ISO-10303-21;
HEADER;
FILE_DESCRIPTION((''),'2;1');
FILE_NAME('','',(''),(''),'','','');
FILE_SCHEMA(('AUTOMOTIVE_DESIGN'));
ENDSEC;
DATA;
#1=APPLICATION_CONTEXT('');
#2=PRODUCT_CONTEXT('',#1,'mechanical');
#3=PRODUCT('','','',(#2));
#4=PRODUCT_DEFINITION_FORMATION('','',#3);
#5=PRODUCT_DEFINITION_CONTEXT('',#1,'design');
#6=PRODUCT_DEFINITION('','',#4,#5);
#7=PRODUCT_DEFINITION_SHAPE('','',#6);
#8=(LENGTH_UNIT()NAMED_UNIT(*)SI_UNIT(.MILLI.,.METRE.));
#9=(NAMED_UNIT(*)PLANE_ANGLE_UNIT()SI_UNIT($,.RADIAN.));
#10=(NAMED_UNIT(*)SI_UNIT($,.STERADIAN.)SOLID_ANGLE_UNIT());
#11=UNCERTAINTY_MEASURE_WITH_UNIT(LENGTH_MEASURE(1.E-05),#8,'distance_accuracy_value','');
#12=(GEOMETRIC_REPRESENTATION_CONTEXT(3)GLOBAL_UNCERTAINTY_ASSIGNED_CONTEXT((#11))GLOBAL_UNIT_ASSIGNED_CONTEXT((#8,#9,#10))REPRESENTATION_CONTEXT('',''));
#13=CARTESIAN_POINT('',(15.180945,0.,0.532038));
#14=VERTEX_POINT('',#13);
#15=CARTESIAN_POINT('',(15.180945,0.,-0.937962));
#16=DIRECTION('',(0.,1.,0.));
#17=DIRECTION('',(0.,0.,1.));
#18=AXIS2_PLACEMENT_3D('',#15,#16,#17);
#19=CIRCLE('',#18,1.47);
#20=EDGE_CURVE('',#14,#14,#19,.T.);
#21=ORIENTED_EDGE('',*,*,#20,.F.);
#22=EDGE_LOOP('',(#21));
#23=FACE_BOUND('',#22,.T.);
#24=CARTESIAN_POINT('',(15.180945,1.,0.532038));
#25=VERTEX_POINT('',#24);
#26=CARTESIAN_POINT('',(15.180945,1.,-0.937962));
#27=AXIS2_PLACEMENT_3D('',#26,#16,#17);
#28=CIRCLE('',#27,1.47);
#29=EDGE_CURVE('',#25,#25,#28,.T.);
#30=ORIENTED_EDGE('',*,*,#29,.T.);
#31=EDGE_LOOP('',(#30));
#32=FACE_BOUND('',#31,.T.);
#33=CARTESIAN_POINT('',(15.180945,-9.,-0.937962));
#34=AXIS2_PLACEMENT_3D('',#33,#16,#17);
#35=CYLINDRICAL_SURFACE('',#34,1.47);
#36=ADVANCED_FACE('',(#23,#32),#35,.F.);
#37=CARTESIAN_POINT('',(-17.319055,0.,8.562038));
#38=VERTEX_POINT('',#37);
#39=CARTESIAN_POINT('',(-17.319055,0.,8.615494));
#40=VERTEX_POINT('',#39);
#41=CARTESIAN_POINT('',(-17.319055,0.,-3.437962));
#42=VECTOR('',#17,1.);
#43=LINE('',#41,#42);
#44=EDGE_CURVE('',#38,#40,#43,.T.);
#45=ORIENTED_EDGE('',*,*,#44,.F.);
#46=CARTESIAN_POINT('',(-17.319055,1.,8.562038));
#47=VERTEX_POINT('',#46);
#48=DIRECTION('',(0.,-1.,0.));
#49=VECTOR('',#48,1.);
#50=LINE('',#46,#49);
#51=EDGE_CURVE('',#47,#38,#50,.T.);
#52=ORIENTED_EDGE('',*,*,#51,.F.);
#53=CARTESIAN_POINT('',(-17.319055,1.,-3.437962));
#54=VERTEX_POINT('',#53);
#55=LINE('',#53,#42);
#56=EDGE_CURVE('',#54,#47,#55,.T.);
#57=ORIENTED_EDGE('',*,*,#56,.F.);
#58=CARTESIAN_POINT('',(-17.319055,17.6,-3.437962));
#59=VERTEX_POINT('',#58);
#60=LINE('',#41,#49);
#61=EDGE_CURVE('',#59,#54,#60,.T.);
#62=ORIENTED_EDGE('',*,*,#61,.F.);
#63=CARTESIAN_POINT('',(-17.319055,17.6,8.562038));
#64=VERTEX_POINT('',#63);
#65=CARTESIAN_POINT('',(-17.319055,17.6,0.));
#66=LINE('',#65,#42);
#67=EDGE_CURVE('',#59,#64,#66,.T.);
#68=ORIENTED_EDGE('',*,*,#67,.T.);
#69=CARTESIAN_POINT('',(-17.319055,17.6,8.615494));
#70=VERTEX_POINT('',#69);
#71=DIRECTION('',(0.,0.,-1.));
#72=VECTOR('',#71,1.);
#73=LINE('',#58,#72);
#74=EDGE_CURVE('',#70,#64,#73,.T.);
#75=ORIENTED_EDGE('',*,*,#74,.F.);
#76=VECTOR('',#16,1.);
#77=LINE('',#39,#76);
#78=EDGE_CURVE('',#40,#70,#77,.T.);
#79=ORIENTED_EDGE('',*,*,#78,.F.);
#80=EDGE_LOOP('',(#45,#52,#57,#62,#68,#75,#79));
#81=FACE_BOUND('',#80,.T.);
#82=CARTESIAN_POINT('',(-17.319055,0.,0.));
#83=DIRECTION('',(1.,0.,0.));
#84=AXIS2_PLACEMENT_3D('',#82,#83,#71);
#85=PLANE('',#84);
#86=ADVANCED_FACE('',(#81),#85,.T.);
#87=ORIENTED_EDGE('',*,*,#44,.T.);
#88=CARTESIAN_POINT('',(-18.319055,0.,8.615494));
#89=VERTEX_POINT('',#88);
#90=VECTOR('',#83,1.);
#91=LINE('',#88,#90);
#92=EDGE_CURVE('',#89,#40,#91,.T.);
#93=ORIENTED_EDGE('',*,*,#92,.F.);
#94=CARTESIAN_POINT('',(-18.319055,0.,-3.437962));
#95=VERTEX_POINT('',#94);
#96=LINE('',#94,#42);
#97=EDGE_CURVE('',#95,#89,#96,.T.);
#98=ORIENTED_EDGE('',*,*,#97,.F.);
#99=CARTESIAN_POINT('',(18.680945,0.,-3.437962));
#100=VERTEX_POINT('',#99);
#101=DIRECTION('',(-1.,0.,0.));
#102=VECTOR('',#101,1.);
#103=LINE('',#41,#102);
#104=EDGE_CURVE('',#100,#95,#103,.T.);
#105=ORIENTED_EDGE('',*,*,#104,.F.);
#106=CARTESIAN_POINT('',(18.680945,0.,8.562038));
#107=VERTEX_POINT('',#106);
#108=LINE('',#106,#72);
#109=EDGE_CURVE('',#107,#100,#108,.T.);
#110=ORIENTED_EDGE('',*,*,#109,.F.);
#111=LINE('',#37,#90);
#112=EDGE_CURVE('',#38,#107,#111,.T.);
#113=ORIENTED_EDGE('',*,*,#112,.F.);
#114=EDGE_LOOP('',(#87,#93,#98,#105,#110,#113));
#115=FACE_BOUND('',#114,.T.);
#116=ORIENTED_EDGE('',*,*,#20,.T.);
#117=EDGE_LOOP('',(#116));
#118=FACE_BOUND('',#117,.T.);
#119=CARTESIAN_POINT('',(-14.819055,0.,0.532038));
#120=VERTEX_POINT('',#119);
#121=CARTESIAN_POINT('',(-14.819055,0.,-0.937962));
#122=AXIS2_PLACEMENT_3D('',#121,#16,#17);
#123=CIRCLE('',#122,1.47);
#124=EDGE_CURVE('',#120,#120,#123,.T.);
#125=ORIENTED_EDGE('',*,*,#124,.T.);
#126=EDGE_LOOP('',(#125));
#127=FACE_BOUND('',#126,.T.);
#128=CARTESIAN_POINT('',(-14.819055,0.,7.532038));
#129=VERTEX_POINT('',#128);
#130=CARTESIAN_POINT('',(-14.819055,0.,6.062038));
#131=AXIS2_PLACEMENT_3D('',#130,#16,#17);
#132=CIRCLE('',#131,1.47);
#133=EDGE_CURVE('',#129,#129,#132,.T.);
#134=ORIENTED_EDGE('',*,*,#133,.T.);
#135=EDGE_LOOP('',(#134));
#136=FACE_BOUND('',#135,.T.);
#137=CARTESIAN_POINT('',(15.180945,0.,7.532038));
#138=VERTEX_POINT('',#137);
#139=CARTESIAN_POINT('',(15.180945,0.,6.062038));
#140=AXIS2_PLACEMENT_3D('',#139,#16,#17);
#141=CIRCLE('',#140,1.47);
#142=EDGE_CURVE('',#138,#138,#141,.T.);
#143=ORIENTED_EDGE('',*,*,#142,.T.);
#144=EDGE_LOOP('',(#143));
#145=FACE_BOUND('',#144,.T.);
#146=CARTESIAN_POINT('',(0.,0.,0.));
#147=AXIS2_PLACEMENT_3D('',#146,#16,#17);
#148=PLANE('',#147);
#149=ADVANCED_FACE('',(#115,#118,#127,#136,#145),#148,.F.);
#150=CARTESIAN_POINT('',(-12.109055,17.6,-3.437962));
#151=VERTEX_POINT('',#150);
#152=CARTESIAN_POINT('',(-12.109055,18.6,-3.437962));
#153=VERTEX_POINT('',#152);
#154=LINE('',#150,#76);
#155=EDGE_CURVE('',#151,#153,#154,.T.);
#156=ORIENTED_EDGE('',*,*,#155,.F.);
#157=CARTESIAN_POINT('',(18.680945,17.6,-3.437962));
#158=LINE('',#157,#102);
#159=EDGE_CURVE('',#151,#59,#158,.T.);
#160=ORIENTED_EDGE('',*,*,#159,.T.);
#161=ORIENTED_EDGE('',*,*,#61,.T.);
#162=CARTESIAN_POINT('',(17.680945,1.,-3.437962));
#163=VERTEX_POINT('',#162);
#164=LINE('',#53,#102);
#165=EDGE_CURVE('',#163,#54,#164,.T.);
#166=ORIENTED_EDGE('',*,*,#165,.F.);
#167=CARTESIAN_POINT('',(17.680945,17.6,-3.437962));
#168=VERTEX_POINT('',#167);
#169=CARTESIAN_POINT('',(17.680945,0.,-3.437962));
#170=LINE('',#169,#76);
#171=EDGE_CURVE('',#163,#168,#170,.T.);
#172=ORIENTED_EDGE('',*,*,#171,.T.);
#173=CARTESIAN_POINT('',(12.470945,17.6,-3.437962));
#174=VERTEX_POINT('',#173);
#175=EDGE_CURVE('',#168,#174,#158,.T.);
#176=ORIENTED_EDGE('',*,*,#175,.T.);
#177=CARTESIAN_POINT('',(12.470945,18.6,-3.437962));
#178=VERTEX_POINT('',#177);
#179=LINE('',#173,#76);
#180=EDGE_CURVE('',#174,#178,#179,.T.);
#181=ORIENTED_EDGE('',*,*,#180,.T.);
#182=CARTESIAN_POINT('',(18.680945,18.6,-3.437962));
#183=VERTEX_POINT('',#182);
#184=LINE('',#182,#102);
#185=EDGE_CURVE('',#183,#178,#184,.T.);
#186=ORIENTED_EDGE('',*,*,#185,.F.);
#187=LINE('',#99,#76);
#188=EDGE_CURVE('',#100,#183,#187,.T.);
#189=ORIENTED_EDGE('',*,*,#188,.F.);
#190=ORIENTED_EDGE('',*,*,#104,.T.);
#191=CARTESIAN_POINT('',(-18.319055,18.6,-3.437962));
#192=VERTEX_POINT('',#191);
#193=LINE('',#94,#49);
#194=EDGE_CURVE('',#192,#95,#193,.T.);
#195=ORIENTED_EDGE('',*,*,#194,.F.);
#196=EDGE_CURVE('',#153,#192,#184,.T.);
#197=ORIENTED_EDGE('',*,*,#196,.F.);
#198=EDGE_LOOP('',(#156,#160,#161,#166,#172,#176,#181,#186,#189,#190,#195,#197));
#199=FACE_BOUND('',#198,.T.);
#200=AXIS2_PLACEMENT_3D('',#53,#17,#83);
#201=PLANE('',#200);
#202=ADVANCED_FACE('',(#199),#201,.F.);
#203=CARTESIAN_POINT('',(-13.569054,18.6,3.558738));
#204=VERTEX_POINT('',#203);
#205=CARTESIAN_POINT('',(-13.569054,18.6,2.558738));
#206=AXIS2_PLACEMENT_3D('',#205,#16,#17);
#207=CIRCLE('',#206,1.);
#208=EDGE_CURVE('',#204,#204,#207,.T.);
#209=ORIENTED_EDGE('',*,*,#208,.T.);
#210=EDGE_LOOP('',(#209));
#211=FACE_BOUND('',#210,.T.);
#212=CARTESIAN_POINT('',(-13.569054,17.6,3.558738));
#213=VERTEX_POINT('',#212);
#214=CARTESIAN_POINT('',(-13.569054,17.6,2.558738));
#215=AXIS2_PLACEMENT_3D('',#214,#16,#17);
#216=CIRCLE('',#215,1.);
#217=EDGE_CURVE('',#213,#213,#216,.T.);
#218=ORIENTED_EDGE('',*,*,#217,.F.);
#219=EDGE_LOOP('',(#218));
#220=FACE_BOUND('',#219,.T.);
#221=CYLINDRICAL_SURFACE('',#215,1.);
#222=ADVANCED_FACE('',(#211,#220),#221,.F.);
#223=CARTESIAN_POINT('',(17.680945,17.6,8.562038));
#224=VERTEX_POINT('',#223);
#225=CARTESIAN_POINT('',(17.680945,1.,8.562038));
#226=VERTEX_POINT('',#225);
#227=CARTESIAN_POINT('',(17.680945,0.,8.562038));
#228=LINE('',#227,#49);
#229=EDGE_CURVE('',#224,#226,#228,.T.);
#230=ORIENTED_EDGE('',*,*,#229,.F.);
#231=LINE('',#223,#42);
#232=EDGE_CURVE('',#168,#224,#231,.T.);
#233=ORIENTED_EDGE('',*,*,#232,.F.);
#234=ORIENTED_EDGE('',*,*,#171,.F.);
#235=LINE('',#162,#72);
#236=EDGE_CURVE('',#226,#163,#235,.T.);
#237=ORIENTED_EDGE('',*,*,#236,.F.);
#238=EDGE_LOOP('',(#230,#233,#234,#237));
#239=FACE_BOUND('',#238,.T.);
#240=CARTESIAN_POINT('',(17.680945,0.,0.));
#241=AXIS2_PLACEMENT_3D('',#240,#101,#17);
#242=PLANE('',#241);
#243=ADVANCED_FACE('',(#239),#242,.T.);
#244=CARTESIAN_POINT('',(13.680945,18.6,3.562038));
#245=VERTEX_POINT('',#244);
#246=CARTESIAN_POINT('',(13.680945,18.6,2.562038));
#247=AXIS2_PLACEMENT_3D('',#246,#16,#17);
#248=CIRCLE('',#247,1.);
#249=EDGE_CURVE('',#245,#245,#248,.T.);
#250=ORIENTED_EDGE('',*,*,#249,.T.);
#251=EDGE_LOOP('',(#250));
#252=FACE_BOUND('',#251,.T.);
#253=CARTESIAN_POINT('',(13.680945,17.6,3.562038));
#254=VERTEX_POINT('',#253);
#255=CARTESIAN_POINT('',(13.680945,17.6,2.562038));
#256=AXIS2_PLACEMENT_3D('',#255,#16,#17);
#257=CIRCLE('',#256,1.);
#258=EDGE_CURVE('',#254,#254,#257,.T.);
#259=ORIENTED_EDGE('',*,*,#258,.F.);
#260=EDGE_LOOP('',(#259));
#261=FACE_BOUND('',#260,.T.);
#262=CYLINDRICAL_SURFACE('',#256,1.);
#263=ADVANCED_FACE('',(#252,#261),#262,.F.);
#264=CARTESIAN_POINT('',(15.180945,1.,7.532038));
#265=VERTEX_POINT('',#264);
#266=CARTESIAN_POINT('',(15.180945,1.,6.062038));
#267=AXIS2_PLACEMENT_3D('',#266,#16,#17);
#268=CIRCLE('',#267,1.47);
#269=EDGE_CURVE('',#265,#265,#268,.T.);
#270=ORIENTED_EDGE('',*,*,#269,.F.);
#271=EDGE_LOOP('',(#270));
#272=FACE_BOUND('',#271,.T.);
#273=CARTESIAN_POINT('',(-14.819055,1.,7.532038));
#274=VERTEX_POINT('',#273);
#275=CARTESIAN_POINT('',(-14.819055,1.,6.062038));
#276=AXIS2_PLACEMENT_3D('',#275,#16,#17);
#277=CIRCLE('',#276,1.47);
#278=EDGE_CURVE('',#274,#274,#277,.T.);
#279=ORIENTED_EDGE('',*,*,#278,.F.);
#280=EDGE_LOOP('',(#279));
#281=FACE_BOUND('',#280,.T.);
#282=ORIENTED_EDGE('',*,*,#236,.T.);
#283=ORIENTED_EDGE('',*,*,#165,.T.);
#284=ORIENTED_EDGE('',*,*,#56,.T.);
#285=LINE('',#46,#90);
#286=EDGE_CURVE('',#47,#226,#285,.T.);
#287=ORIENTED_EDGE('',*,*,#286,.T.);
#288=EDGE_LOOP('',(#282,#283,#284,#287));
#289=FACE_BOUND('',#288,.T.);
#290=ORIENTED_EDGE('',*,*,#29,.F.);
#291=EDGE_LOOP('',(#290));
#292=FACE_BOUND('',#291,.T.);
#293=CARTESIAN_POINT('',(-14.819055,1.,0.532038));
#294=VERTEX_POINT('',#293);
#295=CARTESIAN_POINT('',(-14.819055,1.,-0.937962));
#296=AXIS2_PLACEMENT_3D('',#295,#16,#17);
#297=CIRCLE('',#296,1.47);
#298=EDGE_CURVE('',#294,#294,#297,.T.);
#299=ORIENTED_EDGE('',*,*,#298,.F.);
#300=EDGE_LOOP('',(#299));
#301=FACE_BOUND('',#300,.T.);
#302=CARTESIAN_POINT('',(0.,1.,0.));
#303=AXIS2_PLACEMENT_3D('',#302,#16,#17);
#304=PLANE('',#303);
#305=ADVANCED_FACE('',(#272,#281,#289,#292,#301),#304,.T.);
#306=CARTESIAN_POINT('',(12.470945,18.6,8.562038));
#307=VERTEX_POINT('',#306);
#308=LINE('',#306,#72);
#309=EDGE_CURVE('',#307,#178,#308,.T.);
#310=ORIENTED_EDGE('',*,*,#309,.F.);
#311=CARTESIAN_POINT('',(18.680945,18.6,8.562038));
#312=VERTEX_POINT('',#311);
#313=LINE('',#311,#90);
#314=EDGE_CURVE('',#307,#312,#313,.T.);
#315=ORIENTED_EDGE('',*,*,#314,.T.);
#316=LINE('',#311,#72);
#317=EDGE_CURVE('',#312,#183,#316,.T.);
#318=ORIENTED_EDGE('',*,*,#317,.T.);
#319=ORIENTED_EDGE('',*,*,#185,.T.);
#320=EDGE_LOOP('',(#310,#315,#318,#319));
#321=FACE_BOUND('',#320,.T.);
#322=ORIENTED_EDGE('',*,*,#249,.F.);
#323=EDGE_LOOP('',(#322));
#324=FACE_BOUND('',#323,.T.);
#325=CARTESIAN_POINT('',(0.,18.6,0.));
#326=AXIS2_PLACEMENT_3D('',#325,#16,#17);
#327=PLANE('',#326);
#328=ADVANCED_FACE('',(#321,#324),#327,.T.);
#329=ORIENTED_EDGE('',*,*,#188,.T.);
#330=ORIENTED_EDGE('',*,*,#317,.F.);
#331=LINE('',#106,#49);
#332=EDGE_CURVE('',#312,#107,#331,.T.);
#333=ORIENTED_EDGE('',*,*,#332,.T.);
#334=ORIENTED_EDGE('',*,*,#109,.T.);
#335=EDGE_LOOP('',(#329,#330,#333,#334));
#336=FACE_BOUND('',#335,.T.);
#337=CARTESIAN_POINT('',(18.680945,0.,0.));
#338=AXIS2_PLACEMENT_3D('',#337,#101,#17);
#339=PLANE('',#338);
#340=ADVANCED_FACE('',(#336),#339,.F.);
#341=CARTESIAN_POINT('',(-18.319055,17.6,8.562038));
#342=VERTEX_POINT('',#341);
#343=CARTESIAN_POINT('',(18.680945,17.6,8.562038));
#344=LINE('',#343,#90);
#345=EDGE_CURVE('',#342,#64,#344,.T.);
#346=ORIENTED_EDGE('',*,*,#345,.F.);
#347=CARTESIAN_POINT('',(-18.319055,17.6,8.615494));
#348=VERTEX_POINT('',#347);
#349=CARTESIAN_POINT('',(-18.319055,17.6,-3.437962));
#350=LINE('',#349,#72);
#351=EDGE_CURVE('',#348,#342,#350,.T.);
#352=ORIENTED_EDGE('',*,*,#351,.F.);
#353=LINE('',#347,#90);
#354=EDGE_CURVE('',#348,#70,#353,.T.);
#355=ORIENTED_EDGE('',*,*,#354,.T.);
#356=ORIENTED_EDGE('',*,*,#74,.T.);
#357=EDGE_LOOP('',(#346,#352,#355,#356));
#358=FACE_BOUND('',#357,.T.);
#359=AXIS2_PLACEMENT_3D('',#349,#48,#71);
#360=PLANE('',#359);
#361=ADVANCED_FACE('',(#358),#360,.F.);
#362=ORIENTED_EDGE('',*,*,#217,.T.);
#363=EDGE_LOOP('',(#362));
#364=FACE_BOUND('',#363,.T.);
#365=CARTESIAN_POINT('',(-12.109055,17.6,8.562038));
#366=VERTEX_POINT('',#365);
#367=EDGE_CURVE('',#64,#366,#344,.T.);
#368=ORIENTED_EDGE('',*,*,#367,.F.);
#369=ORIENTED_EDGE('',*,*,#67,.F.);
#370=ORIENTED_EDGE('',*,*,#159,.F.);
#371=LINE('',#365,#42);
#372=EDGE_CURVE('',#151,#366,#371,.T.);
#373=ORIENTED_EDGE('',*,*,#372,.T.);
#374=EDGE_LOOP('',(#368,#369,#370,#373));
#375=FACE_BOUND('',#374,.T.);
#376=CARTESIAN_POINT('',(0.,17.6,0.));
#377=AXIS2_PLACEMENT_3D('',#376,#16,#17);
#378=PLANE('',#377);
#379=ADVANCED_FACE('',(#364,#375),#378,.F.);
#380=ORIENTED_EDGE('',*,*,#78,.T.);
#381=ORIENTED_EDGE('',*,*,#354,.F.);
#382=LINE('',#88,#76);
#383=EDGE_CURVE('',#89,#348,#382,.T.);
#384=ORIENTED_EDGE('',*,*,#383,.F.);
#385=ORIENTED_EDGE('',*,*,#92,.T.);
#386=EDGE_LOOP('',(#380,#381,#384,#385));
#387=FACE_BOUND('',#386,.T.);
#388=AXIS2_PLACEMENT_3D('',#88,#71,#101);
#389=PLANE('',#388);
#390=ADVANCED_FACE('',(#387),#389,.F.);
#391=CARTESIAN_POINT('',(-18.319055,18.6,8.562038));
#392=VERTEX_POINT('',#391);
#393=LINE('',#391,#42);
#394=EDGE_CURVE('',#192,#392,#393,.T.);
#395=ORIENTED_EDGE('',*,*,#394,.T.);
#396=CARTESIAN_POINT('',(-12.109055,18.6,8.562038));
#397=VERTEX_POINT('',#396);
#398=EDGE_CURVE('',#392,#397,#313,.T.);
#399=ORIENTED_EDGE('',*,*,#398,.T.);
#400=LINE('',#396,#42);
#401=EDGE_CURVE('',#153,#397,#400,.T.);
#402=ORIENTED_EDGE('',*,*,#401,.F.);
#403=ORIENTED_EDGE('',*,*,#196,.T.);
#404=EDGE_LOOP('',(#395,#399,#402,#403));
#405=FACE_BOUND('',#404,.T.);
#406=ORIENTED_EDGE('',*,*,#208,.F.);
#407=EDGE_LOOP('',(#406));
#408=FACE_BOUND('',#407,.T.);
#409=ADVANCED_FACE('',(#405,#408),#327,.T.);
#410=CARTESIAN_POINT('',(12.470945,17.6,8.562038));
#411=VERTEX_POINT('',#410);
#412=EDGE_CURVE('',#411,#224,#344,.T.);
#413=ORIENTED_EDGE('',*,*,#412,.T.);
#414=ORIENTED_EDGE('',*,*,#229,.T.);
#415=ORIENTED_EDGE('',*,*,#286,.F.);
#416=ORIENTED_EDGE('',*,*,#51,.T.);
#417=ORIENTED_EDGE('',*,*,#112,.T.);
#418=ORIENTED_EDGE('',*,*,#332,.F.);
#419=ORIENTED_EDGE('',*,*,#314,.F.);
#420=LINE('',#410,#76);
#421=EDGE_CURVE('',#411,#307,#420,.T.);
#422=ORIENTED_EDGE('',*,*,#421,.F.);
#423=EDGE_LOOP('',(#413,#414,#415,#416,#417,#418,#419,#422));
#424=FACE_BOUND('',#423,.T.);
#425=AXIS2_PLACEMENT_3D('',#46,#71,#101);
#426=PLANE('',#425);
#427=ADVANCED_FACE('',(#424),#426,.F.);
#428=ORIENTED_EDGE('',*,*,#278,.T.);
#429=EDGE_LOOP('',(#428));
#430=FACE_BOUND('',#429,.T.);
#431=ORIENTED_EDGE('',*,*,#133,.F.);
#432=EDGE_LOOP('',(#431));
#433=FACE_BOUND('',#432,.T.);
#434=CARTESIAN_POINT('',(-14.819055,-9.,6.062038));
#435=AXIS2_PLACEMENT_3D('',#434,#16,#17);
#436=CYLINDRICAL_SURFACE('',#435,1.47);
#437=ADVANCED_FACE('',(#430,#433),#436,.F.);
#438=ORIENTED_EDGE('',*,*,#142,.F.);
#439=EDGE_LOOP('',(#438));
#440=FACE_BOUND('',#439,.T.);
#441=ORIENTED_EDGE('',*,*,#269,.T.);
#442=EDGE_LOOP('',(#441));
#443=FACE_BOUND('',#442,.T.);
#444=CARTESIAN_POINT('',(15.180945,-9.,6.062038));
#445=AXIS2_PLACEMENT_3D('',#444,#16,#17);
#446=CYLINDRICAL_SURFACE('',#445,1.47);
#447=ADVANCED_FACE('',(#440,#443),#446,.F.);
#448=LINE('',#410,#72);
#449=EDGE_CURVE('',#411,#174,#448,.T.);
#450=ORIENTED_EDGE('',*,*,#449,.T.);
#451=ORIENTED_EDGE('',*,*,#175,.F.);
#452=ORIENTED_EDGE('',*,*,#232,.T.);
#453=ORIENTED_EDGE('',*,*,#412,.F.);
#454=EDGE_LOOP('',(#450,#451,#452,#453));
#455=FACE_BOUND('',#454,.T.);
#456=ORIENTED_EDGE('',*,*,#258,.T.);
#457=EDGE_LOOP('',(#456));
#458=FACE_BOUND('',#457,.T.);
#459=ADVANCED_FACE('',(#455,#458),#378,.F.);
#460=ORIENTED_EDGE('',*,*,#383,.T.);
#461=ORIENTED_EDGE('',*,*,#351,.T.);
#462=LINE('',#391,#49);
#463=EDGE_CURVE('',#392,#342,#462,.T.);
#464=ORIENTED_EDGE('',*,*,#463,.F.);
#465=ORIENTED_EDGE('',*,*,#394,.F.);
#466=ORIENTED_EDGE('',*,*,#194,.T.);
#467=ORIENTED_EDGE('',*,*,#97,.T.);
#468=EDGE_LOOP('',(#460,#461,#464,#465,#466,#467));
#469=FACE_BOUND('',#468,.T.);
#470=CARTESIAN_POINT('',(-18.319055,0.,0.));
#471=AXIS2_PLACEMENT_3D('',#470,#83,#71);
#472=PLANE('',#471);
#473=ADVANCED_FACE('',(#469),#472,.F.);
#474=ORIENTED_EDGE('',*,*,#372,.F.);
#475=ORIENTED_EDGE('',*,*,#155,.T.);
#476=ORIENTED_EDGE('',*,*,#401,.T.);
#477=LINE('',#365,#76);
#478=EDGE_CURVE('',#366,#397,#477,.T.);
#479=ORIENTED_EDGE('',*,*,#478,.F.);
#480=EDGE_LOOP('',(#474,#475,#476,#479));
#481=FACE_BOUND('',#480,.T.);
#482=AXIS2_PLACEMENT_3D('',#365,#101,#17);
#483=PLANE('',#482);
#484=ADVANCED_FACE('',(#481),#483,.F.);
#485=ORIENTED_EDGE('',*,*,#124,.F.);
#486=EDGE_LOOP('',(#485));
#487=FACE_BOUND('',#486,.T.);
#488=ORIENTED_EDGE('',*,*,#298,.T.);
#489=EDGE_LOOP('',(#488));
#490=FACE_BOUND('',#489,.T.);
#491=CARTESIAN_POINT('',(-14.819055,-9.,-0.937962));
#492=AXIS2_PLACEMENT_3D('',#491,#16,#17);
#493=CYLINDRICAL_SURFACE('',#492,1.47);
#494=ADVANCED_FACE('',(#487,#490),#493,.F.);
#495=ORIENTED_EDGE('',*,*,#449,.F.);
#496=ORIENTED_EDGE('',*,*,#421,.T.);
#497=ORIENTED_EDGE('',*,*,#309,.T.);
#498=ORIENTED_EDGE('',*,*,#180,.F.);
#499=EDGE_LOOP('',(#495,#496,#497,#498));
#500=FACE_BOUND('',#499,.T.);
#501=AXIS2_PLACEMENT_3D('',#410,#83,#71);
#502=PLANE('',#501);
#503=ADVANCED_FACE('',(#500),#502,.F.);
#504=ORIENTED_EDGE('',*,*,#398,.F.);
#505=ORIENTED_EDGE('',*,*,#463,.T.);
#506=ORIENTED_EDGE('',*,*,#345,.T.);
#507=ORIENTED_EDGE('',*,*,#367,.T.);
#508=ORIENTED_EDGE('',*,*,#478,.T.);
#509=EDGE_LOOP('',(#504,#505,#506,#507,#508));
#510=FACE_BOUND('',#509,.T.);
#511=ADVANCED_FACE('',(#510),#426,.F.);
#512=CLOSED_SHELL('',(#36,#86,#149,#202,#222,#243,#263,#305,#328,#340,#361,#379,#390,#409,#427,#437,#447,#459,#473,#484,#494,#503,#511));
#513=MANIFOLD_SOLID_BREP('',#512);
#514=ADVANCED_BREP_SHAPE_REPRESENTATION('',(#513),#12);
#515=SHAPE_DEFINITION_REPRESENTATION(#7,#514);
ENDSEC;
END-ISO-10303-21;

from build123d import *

# Parameters (mm, degrees)
SKETCH1_W           = 35
SKETCH1_H           = 12
BOSS_EXTRUDE1_DEPTH = 1
SKETCH2_W           = 12.053455819
SKETCH2_H           = 17.6
BOSS_EXTRUDE2_DEPTH = 1
SKETCH3_W           = 12
SKETCH3_H           = 17.6
BOSS_EXTRUDE3_DEPTH = 1
SKETCH5_W           = 37
SKETCH5_H           = 12
BOSS_EXTRUDE4_DEPTH = 1
SKETCH6_W           = 24.58
SKETCH6_H           = 12
CUT_EXTRUDE1_DEPTH  = 1
SKETCH7_R           = 1
CUT_EXTRUDE2_DEPTH  = 1
SKETCH8_R           = 1
CUT_EXTRUDE3_DEPTH  = 1
SKETCH9_R           = 1.47
CUT_EXTRUDE4_DEPTH  = 10


with BuildPart() as part:
    # Sketch1 → Boss-Extrude1 (new body)
    with BuildSketch(Plane(origin=(0, 0, 0), x_dir=(1, 0, 0), z_dir=(0, 1, 0))):
        with Locations((0.180945347, -2.562038405)):
            Rectangle(SKETCH1_W, SKETCH1_H)
    extrude(amount=BOSS_EXTRUDE1_DEPTH)

    # Sketch2 → Boss-Extrude2 (add)
    with BuildSketch(Plane.ZY.offset(17.319054653)):
        with Locations((2.588766314, 8.8)):
            Rectangle(SKETCH2_W, SKETCH2_H)
    extrude(amount=BOSS_EXTRUDE2_DEPTH)

    # Sketch3 → Boss-Extrude3 (add)
    with BuildSketch(Plane(origin=(17.680945347, 0, 0), x_dir=(0, 0, -1), z_dir=(1, 0, 0))):
        with Locations((-2.562038405, 8.8)):
            Rectangle(SKETCH3_W, SKETCH3_H)
    extrude(amount=BOSS_EXTRUDE3_DEPTH)

    # Sketch5 → Boss-Extrude4 (add)
    with BuildSketch(Plane(origin=(0, 17.6, 0), x_dir=(1, 0, 0), z_dir=(0, 1, 0))):
        with Locations((0.180945347, -2.562038405)):
            Rectangle(SKETCH5_W, SKETCH5_H)
    extrude(amount=BOSS_EXTRUDE4_DEPTH)

    # Sketch6 → Cut-Extrude1 (cut)
    with BuildSketch(Plane(origin=(0, 18.6, 0), x_dir=(1, 0, 0), z_dir=(0, 1, 0))):
        with Locations((0.180945347, -2.562038405)):
            Rectangle(SKETCH6_W, SKETCH6_H)
    extrude(amount=-CUT_EXTRUDE1_DEPTH, mode=Mode.SUBTRACT)

    # Sketch7 → Cut-Extrude2 (cut)
    with BuildSketch(Plane(origin=(0, 18.6, 0), x_dir=(1, 0, 0), z_dir=(0, 1, 0))):
        with Locations((13.680945347, -2.562038405)):
            Circle(SKETCH7_R)
    extrude(amount=-CUT_EXTRUDE2_DEPTH, mode=Mode.SUBTRACT)

    # Sketch8 → Cut-Extrude3 (cut)
    with BuildSketch(Plane(origin=(0, 18.6, 0), x_dir=(1, 0, 0), z_dir=(0, 1, 0))):
        with Locations((-13.569054453, -2.558738176)):
            Circle(SKETCH8_R)
    extrude(amount=-CUT_EXTRUDE3_DEPTH, mode=Mode.SUBTRACT)

    # Sketch9 → Cut-Extrude4 (cut)
    with BuildSketch(Plane(origin=(0, 1, 0), x_dir=(1, 0, 0), z_dir=(0, 1, 0))):
        with Locations((15.180945347, 0.937961595)):
            Circle(SKETCH9_R)
        with Locations((15.180945347, -6.062038405)):
            Circle(SKETCH9_R)
        with Locations((-14.819054653, 0.937961595)):
            Circle(SKETCH9_R)
        with Locations((-14.819054653, -6.062038405)):
            Circle(SKETCH9_R)
    extrude(amount=-CUT_EXTRUDE4_DEPTH, mode=Mode.SUBTRACT)


solid = part.part
